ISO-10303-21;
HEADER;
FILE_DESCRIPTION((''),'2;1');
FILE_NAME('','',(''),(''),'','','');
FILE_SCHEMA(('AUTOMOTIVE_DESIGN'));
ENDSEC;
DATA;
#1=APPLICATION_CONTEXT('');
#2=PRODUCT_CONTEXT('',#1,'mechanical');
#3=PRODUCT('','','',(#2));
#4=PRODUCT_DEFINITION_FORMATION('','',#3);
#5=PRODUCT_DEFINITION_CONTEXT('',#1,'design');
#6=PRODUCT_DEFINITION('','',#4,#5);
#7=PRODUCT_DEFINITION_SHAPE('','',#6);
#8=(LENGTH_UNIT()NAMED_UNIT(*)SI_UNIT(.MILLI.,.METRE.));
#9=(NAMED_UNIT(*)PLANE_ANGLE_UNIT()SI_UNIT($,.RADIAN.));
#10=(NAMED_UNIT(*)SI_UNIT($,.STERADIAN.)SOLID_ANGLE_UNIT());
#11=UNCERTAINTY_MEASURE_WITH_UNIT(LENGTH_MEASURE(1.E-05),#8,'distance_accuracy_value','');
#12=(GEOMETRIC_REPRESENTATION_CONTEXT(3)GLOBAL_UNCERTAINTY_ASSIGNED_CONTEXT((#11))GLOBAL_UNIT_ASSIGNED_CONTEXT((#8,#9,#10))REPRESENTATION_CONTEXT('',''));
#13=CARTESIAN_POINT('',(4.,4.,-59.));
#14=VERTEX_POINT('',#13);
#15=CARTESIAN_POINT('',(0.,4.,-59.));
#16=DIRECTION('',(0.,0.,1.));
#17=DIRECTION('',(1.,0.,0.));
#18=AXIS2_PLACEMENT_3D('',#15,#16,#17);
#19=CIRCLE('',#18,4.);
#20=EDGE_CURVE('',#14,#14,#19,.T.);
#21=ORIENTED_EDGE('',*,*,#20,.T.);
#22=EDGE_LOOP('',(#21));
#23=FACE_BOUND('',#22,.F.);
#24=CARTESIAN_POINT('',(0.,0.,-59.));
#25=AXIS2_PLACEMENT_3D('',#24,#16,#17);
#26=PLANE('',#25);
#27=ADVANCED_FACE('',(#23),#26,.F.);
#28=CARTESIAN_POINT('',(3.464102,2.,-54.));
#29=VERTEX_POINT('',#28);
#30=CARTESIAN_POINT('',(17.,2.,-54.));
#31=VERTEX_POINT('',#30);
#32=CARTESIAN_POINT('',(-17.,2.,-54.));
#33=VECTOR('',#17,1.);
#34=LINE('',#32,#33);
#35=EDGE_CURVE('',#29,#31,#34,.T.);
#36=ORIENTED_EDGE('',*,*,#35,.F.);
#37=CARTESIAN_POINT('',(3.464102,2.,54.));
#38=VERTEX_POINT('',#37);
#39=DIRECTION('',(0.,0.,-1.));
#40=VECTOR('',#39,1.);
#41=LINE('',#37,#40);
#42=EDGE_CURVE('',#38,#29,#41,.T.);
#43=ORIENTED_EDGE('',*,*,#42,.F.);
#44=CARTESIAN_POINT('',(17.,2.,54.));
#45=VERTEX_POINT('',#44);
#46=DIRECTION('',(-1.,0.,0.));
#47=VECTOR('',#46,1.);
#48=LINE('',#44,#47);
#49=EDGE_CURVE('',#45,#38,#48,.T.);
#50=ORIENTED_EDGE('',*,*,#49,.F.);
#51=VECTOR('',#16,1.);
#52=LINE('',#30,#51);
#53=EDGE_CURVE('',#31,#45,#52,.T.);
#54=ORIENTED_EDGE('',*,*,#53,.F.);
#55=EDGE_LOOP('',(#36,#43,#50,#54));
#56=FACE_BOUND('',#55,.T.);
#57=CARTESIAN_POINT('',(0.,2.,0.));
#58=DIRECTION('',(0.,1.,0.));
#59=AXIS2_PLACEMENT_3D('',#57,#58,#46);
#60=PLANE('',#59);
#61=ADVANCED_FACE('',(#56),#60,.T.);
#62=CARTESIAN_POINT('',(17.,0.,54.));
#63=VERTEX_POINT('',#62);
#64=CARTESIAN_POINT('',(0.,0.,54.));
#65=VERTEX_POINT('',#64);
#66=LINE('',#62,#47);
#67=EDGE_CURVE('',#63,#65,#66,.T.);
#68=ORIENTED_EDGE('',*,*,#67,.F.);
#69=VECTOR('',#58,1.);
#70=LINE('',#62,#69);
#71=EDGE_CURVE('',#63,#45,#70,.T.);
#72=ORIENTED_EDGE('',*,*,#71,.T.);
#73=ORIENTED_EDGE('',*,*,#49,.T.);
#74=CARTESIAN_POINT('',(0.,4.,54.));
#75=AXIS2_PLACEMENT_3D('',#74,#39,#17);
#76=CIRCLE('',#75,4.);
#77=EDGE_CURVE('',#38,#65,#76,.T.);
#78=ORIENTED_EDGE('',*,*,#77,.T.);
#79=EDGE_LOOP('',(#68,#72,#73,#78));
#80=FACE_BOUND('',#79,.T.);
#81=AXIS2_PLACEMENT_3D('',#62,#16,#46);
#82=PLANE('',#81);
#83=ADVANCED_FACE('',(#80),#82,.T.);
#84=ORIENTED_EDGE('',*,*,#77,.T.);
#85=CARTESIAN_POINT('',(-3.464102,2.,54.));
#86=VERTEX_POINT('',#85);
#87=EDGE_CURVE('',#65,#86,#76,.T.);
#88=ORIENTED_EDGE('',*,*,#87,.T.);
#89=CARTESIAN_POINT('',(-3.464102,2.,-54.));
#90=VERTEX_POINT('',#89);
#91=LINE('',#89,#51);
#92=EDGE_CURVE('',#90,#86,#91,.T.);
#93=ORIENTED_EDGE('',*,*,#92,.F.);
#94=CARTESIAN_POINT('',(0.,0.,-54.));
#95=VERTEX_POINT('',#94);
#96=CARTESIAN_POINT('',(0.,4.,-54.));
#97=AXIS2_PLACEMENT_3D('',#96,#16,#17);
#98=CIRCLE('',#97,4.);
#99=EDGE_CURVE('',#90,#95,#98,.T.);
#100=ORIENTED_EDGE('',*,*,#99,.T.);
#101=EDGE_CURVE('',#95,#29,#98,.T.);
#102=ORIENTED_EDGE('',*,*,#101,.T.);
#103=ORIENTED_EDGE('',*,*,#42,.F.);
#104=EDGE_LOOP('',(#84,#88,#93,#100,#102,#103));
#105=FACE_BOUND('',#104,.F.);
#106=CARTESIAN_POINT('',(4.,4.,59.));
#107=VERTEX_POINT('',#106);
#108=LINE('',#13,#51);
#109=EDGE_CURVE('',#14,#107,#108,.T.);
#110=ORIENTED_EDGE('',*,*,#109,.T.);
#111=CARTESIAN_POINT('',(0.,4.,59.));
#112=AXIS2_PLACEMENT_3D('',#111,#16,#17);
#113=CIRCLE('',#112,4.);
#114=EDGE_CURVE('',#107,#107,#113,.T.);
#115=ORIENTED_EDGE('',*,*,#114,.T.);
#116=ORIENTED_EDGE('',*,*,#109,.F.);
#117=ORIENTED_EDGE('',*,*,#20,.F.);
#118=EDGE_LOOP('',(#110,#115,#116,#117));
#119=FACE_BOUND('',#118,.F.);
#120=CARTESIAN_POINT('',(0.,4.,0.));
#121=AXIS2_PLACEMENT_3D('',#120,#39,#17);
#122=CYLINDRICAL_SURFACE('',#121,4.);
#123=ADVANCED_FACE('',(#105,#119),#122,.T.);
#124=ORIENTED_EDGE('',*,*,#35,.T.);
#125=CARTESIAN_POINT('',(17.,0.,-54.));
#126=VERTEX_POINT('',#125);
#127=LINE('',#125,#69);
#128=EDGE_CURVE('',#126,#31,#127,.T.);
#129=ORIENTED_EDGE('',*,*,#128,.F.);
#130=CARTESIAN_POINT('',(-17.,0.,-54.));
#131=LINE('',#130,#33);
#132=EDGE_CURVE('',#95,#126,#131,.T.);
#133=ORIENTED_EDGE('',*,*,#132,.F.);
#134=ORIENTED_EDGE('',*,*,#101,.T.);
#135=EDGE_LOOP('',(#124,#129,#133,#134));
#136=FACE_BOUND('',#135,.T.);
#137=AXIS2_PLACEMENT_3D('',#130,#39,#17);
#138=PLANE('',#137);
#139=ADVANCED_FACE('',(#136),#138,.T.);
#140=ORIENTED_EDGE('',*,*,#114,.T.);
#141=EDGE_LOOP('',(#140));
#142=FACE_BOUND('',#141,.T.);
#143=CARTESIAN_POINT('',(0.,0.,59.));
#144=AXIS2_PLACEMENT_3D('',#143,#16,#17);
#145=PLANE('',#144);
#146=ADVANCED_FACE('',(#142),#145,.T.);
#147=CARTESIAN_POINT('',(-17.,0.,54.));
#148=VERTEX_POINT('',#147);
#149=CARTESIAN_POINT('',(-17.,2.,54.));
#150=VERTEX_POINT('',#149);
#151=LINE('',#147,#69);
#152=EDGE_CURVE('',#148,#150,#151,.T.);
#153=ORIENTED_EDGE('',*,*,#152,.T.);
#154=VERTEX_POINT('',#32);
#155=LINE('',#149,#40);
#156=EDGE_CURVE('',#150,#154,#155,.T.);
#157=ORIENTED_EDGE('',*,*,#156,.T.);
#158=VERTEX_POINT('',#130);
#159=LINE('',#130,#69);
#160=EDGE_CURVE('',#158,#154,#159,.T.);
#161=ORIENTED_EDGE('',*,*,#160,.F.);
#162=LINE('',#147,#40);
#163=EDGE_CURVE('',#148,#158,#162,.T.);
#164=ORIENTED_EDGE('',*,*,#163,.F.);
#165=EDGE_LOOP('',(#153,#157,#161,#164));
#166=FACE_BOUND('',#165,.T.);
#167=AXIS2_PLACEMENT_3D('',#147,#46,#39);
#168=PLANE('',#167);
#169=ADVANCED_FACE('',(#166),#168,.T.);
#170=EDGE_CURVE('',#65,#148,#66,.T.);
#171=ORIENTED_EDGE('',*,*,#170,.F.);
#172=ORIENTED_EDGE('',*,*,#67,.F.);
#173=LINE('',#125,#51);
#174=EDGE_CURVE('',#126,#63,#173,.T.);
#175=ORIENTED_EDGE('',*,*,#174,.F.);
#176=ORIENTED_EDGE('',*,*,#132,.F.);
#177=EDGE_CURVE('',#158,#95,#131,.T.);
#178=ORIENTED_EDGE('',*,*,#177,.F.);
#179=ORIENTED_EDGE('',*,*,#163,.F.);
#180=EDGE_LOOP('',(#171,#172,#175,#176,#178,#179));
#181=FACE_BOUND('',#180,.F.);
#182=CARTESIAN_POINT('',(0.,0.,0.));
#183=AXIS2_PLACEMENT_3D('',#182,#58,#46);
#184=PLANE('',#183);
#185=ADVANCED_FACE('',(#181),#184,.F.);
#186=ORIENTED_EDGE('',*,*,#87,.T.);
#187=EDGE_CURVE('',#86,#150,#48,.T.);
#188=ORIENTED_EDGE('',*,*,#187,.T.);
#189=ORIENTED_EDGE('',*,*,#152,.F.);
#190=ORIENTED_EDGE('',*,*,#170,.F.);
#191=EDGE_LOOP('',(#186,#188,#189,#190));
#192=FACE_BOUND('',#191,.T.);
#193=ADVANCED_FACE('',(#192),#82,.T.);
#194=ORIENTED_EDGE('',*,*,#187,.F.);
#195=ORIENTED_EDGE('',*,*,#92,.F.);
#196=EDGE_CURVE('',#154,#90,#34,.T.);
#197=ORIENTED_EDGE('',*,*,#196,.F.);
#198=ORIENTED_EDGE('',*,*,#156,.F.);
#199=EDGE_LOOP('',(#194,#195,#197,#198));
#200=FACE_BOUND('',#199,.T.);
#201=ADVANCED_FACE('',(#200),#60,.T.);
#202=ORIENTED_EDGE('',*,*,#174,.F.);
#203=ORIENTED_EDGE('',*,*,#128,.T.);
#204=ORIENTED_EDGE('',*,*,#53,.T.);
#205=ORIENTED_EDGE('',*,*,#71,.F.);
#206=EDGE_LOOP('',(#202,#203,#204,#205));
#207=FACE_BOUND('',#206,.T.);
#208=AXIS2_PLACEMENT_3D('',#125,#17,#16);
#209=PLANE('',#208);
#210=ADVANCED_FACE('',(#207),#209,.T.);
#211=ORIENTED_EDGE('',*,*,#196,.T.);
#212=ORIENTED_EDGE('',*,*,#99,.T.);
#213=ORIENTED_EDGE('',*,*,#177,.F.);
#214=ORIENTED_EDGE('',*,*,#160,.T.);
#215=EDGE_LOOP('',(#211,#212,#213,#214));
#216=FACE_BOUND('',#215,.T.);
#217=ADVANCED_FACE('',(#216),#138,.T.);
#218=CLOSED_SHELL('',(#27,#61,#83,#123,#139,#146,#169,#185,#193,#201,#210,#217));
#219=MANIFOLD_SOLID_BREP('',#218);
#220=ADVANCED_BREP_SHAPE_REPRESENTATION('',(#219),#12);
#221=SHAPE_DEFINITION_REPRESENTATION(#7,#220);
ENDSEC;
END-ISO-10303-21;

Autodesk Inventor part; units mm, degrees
ref_plane "YZ Plane" through (0, 0, 0) normal (1, 0, 0) x (0, 1, 0)
ref_plane "XZ Plane" through (0, 0, 0) normal (0, 1, 0) x (-1, 0, 0)
ref_plane "XY Plane" through (0, 0, 0) normal (0, 0, 1) x (1, 0, 0)
sketch "Sketch1" plane through (0, 0, 0) normal (0, 1, 0) x (-1, 0, 0)
  line L0 (-17, 54) -> (17, 54)
  line L1 (17, 54) -> (17, -54)
  line L2 (17, -54) -> (-17, -54)
  line L3 (-17, -54) -> (-17, 54)
  line L4 (-17, 54) -> (17, -54) construction
  line L5 (17, 54) -> (-17, -54) construction
  point P0 (0, 0)
  dimension "d0" = 34
  dimension "d1" = 108
extrude "Extrusion1" add sketch "Sketch1" along normal blind 2
sketch "Sketch2" plane through (0, 0, 0) normal (0, 0, 1) x (1, 0, 0)
  circle A0 centre (0, 4) radius 4
  point P0 (0, 0)
  dimension "d4" = 8
extrude "Extrusion2" add sketch "Sketch2" along normal mid plane 118
properties part number "Air_Cotrol"
